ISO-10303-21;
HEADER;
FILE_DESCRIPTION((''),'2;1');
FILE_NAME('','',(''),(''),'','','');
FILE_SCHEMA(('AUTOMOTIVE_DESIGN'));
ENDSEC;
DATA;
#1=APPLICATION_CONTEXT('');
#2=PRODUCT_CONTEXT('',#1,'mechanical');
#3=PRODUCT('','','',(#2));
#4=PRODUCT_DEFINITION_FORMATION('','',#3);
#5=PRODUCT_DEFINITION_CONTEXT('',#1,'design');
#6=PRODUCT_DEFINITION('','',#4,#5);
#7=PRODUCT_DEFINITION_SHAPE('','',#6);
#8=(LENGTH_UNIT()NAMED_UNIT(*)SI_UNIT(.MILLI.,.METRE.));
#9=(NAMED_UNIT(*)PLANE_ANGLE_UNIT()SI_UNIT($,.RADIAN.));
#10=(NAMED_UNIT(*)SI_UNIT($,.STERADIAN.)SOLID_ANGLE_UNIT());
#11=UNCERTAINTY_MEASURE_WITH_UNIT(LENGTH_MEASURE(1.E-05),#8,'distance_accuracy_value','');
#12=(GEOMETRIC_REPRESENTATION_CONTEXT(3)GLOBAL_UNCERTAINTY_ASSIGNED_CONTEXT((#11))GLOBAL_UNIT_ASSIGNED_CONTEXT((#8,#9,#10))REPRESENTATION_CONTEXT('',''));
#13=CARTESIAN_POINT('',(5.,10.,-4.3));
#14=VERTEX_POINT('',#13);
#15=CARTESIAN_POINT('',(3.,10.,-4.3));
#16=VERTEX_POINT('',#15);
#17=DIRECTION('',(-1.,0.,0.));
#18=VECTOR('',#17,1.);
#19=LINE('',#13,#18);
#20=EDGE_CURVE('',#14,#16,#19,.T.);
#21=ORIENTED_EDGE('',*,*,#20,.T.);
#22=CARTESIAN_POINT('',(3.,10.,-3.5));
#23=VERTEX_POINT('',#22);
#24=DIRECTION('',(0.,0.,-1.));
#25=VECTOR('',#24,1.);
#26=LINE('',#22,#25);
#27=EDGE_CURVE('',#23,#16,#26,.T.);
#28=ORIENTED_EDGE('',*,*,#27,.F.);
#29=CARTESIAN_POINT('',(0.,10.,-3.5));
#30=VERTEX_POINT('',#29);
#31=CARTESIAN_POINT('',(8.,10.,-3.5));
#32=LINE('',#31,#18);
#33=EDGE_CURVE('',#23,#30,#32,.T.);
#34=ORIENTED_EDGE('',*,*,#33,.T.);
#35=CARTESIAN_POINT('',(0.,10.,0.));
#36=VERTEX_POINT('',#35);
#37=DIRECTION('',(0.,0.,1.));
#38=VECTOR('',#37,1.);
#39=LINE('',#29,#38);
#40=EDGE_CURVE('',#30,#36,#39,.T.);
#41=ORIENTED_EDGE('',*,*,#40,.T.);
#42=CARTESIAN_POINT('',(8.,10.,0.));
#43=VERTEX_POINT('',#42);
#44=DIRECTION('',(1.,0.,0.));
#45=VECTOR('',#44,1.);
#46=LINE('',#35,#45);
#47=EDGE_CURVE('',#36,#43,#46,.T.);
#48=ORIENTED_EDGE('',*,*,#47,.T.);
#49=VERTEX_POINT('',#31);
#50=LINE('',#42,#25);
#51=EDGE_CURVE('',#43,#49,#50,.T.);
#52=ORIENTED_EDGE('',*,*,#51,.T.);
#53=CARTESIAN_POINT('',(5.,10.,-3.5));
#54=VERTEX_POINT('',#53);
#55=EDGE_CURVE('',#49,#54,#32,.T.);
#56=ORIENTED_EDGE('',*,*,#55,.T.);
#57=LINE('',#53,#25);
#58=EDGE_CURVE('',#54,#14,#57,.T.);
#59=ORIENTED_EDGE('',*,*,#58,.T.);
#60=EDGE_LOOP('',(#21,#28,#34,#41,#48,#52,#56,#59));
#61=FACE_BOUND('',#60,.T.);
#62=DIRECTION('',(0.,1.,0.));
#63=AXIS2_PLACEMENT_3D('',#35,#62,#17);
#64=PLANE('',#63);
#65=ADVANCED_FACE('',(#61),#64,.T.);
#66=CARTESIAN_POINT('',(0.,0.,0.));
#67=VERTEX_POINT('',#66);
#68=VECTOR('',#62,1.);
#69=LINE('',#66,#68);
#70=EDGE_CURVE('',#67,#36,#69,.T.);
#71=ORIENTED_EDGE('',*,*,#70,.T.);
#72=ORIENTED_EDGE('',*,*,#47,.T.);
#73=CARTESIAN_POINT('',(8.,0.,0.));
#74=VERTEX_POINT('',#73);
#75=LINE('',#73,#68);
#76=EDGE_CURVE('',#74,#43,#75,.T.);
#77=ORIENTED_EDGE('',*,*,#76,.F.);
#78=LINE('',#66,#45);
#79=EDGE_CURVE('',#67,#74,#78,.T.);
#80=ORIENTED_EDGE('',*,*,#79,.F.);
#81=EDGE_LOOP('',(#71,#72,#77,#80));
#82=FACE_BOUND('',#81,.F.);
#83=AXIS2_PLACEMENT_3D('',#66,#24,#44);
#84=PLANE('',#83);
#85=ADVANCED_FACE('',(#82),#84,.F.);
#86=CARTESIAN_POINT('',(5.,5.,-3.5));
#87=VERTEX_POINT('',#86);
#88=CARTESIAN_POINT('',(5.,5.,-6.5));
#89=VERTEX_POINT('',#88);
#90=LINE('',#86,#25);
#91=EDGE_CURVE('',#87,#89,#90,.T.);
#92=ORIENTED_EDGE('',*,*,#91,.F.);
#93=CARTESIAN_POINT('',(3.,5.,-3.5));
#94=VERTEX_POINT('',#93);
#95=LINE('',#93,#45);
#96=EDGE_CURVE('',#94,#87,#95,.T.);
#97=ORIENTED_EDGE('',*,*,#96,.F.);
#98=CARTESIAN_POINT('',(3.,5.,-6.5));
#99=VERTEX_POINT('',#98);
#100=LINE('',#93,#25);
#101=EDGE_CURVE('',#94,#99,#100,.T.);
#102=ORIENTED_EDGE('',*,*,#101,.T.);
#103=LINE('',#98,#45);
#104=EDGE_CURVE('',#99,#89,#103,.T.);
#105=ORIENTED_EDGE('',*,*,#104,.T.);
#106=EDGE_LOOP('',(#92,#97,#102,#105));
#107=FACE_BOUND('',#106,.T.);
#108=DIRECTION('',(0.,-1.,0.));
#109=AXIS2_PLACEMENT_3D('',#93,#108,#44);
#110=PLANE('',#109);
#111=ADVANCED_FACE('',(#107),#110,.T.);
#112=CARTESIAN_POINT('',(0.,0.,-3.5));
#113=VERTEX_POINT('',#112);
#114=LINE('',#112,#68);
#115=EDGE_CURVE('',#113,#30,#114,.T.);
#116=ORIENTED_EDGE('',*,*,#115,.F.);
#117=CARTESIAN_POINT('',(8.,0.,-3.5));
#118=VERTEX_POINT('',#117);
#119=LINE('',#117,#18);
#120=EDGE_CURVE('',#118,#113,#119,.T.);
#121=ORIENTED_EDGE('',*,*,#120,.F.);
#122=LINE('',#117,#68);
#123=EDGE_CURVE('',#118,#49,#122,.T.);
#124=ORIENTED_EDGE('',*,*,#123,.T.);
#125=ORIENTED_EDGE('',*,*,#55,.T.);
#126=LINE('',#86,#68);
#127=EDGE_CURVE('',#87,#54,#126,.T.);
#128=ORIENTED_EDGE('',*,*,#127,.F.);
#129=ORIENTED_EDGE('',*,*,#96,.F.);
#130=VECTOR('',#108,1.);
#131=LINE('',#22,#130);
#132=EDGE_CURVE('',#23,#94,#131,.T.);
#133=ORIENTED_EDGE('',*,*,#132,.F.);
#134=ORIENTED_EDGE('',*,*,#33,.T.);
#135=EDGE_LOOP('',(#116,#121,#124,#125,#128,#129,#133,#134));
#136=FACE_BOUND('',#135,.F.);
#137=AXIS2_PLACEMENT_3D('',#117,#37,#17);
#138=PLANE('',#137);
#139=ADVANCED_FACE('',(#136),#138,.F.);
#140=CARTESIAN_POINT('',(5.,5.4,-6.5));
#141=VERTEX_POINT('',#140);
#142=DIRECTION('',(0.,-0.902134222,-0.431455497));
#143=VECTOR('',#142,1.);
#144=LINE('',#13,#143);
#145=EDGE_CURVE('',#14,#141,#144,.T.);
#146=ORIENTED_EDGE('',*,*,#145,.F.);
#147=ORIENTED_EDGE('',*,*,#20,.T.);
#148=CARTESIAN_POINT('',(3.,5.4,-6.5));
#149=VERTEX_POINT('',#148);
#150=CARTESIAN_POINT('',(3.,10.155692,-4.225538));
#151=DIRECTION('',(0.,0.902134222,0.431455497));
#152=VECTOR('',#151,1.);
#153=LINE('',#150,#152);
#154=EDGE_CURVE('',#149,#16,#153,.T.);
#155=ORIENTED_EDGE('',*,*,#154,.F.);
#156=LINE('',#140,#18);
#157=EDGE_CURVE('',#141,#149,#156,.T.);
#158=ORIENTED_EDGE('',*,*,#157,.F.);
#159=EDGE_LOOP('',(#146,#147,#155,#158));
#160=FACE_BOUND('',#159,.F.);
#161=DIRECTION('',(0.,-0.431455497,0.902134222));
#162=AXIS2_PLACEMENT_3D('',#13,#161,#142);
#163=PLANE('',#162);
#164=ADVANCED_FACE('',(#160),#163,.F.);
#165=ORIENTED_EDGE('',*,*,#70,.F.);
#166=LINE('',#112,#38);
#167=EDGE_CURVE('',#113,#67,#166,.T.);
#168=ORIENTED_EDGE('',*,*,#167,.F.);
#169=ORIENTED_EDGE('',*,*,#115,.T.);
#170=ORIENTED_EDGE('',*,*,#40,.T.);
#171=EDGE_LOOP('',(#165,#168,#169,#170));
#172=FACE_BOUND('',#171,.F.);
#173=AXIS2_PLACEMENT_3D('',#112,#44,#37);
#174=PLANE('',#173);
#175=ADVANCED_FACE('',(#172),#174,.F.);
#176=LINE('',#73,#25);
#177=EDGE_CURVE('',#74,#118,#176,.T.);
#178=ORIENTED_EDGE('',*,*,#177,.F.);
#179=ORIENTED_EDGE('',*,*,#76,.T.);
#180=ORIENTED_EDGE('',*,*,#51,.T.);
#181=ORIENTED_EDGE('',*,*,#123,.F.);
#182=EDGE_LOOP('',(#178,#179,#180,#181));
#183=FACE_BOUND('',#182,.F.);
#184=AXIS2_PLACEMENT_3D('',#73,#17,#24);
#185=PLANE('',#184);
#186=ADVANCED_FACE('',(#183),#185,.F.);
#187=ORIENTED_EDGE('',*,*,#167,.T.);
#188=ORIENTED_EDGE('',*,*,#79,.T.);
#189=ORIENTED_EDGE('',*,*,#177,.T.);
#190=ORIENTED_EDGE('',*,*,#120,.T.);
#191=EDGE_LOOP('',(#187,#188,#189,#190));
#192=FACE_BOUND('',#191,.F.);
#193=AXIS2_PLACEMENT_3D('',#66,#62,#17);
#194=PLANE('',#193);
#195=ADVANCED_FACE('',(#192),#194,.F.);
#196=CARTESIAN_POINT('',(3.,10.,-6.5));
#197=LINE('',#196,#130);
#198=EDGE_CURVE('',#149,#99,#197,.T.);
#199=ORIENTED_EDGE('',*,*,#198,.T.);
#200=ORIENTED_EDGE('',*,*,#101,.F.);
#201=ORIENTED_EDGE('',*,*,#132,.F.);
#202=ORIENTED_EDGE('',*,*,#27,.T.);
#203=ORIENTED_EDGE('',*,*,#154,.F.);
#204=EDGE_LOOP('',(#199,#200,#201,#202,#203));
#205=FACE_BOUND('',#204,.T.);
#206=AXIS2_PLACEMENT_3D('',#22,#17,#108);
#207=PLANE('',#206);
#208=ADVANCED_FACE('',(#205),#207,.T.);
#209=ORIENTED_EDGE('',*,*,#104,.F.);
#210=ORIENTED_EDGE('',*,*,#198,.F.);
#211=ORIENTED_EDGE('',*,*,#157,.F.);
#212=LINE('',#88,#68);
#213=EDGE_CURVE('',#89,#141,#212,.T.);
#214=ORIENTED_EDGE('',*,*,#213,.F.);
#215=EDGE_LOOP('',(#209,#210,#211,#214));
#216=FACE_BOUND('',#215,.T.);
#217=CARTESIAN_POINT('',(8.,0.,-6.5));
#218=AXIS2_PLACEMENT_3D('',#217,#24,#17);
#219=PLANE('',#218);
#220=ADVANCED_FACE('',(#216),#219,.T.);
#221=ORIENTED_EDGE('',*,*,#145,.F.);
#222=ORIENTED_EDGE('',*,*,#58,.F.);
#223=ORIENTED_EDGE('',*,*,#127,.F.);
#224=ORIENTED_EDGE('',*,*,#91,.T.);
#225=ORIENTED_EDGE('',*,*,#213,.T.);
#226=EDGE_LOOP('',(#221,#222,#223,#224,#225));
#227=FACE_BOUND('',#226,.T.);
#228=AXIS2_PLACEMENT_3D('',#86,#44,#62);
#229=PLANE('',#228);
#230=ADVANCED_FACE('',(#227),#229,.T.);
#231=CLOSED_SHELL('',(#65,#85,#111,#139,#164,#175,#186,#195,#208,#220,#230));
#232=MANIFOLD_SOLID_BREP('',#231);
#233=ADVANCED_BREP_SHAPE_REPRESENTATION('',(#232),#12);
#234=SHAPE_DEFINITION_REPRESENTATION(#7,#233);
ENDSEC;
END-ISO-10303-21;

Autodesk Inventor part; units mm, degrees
ref_plane "YZ Plane" through (0, 0, 0) normal (1, 0, 0) x (0, 1, 0)
ref_plane "XZ Plane" through (0, 0, 0) normal (0, 1, 0) x (-1, 0, 0)
ref_plane "XY Plane" through (0, 0, 0) normal (0, 0, 1) x (1, 0, 0)
sketch "Sketch1" plane through (0, 0, 0) normal (0, 1, 0) x (-1, 0, 0)
  line L0 (0, 0) -> (-8, 0)
  line L1 (-8, 0) -> (-8, -3.5)
  line L2 (-8, -3.5) -> (0, -3.5)
  line L3 (0, -3.5) -> (0, 0)
  dimension "d0" = 8
  dimension "d1" = 3.5
extrude "Extrusion1" add sketch "Sketch1" along normal blind 10
sketch "Sketch2" plane through (8, 0, -3.5) normal (0, 0, -1) x (-1, 0, 0)
  line L0 (0, 10) -> (8, 10) projected
  line L1 (3, 10) -> (5, 10)
  line L2 (5, 10) -> (5, 5)
  line L3 (5, 5) -> (3, 5)
  line L4 (3, 5) -> (3, 10)
  line L5 (8, 0) -> (8, 10) projected
  dimension "d4" = 2
  dimension "d5" = 5
  dimension "d6" = 3
extrude "Extrusion2" add sketch "Sketch2" along normal blind 3
sketch "Sketch3" plane through (5, 5, -3.5) normal (1, 0, 0) x (0, 0, -1)
  line L0 (0, 5) -> (3, 5) projected
  line L1 (0.8, 5) -> (3, 0.4)
  line L2 (3, 0) -> (3, 5) projected
  line L3 (0, -5) -> (0, 5) projected
  line L4 (0, 0) -> (3, 0) projected
  line L5 (0.8, 5) -> (3, 5)
  line L6 (3, 0.4) -> (3, 5)
  point P0 (-3.5, -5)
  dimension "d9" = 0.8
  dimension "d10" = 0.4
extrude "Extrusion3" cut sketch "Sketch3" against normal through all contours L0 L2 L1
properties part number "prueba"
